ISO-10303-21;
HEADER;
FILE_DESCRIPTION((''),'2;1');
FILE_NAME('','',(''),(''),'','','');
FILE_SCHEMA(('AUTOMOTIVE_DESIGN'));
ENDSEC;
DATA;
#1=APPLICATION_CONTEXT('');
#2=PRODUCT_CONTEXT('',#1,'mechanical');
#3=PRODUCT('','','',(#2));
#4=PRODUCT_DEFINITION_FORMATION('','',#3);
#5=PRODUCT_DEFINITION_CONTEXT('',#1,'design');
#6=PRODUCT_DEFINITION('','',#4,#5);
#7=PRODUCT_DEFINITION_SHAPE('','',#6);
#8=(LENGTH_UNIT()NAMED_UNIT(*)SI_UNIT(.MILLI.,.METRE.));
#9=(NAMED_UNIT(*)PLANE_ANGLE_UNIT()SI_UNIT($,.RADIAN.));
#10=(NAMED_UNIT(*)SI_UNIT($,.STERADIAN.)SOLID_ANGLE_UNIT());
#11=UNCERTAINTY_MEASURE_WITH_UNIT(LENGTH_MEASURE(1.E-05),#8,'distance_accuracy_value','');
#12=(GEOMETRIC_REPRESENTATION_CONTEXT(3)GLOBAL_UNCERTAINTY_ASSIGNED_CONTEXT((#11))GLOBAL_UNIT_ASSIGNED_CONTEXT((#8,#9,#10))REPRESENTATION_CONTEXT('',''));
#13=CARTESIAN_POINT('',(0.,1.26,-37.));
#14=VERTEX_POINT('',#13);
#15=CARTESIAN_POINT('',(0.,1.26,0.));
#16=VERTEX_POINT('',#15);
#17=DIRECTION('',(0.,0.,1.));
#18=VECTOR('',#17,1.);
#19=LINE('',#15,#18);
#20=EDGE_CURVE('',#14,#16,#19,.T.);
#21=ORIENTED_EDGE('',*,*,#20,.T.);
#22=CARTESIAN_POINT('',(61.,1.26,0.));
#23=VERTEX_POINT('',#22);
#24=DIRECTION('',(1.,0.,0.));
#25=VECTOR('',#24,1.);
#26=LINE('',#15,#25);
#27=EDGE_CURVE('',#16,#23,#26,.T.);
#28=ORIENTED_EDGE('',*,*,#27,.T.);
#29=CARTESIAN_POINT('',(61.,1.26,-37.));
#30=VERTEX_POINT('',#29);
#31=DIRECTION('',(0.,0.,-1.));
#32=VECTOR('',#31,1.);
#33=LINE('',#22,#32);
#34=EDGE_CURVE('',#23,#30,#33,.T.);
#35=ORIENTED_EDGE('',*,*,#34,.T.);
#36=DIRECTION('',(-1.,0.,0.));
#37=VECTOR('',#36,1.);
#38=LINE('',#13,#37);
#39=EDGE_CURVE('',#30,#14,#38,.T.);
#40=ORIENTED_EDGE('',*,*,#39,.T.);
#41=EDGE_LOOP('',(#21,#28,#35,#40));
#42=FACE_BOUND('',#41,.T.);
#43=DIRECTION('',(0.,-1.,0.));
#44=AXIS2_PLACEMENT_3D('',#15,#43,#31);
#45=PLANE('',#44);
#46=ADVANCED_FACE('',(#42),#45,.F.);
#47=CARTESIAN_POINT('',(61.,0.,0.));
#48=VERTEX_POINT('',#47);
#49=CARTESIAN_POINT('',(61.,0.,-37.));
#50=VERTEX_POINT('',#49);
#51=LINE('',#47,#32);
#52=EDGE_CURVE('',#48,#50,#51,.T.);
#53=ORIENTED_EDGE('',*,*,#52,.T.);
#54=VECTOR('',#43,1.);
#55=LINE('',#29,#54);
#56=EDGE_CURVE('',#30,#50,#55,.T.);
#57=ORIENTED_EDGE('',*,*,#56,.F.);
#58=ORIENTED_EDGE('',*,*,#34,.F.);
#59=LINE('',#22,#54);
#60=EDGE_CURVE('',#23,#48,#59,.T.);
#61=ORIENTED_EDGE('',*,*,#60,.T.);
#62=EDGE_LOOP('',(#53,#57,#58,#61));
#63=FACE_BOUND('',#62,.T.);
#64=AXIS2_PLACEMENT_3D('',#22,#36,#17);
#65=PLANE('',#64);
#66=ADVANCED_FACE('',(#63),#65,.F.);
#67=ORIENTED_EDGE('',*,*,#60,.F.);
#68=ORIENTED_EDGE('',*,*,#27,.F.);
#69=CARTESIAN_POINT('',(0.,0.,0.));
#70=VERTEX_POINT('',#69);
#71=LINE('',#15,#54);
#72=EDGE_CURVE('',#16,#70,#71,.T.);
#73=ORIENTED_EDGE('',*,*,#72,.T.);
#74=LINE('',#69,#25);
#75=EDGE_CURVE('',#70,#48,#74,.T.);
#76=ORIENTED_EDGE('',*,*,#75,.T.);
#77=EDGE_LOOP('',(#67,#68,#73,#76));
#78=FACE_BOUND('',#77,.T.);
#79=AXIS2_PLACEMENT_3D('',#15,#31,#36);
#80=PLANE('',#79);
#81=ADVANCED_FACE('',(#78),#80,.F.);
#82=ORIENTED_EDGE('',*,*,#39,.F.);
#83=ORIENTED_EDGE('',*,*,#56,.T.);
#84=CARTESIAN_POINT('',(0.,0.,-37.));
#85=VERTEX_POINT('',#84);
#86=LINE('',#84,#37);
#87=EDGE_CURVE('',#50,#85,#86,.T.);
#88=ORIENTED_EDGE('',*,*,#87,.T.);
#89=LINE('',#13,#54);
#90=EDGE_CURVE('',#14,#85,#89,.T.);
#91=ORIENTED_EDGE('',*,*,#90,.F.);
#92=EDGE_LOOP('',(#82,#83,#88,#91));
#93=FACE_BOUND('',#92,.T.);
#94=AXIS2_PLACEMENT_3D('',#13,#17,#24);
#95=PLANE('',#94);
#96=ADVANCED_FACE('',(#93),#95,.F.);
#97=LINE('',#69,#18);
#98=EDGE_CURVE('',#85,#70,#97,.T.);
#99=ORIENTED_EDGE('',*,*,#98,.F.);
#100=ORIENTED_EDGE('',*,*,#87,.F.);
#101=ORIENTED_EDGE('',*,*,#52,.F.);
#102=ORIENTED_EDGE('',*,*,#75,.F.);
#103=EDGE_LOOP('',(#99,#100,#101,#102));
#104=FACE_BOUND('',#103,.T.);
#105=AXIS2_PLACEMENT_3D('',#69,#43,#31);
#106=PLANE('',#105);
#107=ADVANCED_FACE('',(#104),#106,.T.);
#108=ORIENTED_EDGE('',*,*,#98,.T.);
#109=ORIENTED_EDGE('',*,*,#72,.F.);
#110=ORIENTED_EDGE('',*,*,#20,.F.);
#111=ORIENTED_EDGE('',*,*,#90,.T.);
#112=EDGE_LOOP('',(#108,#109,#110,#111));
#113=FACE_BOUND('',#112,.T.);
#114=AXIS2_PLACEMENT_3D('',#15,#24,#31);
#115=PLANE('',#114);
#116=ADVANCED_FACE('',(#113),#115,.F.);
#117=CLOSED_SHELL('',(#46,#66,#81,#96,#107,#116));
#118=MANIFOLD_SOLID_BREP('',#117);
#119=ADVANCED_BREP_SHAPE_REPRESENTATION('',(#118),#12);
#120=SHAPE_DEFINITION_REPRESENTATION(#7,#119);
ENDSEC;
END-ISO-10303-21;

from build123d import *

# Parameters (mm, degrees)
ESBO_O1_W                = 61
ESBO_O1_H                = 37
RESSALTO_EXTRUS_O1_DEPTH = 1.26


with BuildPart() as part:
    # Esboço1 → Ressalto-extrusão1 (new body)
    with BuildSketch(Plane(origin=(0, 0, 0), x_dir=(1, 0, 0), z_dir=(0, 1, 0))):
        with Locations((30.5, 18.5)):
            Rectangle(ESBO_O1_W, ESBO_O1_H)
    extrude(amount=RESSALTO_EXTRUS_O1_DEPTH)


solid = part.part
